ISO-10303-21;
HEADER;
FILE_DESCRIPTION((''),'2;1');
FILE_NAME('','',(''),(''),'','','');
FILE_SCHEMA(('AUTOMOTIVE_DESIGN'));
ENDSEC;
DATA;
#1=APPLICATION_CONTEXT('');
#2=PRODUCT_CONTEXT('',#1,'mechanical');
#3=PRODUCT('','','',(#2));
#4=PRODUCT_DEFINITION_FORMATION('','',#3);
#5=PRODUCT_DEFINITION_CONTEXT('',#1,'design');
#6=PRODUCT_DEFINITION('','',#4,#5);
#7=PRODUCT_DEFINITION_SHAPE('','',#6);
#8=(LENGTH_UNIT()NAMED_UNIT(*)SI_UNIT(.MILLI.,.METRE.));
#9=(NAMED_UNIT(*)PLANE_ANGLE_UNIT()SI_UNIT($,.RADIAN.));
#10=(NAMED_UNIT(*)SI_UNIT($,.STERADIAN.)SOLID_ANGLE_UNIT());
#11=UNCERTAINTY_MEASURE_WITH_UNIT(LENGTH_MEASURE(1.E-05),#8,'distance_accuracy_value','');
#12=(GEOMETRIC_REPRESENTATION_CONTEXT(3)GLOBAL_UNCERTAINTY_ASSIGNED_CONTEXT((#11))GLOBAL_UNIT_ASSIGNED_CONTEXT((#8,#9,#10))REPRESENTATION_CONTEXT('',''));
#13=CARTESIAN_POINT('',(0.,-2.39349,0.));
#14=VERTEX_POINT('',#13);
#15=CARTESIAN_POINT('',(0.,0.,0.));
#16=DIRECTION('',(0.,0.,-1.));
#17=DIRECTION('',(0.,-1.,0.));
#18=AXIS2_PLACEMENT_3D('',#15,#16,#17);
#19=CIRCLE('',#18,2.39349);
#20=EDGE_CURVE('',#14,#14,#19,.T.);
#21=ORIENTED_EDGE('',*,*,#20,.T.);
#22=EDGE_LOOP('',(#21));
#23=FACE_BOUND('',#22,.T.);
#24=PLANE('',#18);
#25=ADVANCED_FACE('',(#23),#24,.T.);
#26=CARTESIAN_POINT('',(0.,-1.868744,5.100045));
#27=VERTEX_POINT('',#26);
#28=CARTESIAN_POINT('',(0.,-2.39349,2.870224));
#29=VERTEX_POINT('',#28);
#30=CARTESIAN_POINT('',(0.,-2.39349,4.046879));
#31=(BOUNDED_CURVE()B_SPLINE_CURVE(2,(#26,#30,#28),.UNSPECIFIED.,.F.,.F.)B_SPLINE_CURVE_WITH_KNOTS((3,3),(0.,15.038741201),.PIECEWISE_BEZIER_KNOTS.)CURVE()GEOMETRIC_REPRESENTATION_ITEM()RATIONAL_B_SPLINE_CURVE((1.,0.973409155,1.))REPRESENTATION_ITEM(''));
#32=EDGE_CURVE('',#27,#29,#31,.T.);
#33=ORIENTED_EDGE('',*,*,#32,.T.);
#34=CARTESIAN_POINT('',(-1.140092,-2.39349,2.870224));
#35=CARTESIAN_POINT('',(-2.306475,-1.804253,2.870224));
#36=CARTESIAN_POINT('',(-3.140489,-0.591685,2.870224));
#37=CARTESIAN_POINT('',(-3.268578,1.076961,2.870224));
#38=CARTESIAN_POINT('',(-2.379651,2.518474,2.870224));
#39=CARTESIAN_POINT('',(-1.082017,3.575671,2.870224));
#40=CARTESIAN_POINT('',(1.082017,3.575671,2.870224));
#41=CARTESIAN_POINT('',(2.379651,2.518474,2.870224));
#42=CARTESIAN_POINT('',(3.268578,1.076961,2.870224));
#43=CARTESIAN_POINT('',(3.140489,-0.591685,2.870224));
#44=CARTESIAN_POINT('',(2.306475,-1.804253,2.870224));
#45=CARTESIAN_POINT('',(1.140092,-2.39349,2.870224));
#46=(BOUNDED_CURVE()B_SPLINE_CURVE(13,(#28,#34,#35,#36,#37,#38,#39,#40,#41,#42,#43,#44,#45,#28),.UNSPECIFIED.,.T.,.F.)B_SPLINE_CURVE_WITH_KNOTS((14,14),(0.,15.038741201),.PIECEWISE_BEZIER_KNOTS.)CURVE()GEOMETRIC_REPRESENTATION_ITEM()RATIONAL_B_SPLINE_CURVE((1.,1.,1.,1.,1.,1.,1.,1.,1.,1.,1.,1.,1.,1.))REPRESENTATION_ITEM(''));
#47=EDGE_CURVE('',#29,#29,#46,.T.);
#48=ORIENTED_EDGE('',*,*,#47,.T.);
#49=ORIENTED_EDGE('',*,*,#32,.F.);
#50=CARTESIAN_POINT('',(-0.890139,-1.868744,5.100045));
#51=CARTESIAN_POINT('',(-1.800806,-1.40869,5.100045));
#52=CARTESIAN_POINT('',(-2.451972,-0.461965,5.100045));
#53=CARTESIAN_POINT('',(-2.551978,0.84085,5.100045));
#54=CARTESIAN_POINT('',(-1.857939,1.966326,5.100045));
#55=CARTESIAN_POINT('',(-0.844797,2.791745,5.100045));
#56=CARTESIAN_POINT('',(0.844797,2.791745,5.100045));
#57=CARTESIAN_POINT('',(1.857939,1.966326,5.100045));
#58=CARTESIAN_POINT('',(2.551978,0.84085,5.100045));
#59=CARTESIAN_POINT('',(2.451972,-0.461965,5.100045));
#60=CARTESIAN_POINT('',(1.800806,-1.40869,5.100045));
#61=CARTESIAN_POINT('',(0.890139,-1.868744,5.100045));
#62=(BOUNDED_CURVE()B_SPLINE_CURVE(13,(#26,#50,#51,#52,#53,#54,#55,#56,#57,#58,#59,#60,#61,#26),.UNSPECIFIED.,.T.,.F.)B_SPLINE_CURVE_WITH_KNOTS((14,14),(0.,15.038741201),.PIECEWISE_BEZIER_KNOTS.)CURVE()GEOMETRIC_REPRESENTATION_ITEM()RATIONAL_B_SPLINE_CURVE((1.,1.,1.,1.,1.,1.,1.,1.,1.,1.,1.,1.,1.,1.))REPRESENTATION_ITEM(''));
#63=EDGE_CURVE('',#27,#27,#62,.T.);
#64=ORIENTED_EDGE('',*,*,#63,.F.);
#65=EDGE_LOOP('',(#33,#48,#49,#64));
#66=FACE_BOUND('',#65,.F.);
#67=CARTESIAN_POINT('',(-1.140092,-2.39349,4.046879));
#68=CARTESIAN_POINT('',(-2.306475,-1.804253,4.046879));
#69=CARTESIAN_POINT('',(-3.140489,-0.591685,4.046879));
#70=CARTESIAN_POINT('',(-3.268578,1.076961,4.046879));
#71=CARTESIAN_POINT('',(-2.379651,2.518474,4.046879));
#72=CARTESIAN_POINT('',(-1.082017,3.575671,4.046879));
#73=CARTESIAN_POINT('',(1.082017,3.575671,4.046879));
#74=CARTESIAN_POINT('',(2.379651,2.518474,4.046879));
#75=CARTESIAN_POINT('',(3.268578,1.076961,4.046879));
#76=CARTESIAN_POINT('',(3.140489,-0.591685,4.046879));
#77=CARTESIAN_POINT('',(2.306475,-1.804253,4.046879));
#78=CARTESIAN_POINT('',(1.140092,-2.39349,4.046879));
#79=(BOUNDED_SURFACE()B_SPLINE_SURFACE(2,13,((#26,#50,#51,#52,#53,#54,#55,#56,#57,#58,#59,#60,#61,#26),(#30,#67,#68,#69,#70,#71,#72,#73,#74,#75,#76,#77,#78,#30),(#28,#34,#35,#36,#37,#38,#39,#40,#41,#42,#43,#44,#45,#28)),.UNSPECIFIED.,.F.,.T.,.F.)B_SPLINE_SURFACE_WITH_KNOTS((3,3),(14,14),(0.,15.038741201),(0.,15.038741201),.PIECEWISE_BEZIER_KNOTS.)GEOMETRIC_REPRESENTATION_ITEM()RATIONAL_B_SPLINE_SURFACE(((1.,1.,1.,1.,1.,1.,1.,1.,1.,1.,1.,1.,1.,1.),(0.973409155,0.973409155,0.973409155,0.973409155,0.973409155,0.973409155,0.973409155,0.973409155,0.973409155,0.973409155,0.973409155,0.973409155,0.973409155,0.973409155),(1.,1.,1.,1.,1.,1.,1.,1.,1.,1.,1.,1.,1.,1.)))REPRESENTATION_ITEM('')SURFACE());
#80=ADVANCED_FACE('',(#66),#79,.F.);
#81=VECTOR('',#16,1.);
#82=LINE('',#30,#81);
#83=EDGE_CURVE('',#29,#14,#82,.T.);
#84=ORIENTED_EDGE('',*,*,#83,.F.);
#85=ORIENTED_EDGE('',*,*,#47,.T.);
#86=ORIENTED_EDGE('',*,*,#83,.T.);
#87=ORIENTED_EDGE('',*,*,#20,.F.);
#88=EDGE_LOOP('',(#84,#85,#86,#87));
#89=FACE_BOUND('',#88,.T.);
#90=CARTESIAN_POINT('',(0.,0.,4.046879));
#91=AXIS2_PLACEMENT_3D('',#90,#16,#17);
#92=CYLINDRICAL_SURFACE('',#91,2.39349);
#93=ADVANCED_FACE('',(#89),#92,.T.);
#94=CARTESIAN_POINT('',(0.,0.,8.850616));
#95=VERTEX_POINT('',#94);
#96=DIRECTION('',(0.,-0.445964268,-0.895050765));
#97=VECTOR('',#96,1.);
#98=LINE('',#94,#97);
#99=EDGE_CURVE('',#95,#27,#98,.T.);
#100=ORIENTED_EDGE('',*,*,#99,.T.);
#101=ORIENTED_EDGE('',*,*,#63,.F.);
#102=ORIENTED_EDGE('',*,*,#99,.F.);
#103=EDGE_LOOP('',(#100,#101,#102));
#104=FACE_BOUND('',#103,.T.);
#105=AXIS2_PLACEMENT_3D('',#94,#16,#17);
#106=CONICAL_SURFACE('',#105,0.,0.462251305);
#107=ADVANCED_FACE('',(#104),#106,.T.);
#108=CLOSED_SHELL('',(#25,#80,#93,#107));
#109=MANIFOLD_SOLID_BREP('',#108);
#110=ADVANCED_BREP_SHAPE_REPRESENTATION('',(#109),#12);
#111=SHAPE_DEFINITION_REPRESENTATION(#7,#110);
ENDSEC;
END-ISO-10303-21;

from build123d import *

# Parameters (mm, degrees)
F2_R = 5


with BuildPart() as f1:
    # F0 (on Right) → F1 (revolve)
    with BuildSketch(Plane.YZ):
        Polygon((-2.39349, 0), (0, 0), (0, 8.850616), (-2.39349, 4.046879), align=None)
    revolve(axis=Axis((0, 0, 4.425308), (0, 0, -1)))

    # F2
    f2_edges = [f1.edges().sort_by_distance(p)[0] for p in [
        (0, 2.39349, 4.046879),
    ]]
    fillet(f2_edges, radius=F2_R)


solid = f1.part
